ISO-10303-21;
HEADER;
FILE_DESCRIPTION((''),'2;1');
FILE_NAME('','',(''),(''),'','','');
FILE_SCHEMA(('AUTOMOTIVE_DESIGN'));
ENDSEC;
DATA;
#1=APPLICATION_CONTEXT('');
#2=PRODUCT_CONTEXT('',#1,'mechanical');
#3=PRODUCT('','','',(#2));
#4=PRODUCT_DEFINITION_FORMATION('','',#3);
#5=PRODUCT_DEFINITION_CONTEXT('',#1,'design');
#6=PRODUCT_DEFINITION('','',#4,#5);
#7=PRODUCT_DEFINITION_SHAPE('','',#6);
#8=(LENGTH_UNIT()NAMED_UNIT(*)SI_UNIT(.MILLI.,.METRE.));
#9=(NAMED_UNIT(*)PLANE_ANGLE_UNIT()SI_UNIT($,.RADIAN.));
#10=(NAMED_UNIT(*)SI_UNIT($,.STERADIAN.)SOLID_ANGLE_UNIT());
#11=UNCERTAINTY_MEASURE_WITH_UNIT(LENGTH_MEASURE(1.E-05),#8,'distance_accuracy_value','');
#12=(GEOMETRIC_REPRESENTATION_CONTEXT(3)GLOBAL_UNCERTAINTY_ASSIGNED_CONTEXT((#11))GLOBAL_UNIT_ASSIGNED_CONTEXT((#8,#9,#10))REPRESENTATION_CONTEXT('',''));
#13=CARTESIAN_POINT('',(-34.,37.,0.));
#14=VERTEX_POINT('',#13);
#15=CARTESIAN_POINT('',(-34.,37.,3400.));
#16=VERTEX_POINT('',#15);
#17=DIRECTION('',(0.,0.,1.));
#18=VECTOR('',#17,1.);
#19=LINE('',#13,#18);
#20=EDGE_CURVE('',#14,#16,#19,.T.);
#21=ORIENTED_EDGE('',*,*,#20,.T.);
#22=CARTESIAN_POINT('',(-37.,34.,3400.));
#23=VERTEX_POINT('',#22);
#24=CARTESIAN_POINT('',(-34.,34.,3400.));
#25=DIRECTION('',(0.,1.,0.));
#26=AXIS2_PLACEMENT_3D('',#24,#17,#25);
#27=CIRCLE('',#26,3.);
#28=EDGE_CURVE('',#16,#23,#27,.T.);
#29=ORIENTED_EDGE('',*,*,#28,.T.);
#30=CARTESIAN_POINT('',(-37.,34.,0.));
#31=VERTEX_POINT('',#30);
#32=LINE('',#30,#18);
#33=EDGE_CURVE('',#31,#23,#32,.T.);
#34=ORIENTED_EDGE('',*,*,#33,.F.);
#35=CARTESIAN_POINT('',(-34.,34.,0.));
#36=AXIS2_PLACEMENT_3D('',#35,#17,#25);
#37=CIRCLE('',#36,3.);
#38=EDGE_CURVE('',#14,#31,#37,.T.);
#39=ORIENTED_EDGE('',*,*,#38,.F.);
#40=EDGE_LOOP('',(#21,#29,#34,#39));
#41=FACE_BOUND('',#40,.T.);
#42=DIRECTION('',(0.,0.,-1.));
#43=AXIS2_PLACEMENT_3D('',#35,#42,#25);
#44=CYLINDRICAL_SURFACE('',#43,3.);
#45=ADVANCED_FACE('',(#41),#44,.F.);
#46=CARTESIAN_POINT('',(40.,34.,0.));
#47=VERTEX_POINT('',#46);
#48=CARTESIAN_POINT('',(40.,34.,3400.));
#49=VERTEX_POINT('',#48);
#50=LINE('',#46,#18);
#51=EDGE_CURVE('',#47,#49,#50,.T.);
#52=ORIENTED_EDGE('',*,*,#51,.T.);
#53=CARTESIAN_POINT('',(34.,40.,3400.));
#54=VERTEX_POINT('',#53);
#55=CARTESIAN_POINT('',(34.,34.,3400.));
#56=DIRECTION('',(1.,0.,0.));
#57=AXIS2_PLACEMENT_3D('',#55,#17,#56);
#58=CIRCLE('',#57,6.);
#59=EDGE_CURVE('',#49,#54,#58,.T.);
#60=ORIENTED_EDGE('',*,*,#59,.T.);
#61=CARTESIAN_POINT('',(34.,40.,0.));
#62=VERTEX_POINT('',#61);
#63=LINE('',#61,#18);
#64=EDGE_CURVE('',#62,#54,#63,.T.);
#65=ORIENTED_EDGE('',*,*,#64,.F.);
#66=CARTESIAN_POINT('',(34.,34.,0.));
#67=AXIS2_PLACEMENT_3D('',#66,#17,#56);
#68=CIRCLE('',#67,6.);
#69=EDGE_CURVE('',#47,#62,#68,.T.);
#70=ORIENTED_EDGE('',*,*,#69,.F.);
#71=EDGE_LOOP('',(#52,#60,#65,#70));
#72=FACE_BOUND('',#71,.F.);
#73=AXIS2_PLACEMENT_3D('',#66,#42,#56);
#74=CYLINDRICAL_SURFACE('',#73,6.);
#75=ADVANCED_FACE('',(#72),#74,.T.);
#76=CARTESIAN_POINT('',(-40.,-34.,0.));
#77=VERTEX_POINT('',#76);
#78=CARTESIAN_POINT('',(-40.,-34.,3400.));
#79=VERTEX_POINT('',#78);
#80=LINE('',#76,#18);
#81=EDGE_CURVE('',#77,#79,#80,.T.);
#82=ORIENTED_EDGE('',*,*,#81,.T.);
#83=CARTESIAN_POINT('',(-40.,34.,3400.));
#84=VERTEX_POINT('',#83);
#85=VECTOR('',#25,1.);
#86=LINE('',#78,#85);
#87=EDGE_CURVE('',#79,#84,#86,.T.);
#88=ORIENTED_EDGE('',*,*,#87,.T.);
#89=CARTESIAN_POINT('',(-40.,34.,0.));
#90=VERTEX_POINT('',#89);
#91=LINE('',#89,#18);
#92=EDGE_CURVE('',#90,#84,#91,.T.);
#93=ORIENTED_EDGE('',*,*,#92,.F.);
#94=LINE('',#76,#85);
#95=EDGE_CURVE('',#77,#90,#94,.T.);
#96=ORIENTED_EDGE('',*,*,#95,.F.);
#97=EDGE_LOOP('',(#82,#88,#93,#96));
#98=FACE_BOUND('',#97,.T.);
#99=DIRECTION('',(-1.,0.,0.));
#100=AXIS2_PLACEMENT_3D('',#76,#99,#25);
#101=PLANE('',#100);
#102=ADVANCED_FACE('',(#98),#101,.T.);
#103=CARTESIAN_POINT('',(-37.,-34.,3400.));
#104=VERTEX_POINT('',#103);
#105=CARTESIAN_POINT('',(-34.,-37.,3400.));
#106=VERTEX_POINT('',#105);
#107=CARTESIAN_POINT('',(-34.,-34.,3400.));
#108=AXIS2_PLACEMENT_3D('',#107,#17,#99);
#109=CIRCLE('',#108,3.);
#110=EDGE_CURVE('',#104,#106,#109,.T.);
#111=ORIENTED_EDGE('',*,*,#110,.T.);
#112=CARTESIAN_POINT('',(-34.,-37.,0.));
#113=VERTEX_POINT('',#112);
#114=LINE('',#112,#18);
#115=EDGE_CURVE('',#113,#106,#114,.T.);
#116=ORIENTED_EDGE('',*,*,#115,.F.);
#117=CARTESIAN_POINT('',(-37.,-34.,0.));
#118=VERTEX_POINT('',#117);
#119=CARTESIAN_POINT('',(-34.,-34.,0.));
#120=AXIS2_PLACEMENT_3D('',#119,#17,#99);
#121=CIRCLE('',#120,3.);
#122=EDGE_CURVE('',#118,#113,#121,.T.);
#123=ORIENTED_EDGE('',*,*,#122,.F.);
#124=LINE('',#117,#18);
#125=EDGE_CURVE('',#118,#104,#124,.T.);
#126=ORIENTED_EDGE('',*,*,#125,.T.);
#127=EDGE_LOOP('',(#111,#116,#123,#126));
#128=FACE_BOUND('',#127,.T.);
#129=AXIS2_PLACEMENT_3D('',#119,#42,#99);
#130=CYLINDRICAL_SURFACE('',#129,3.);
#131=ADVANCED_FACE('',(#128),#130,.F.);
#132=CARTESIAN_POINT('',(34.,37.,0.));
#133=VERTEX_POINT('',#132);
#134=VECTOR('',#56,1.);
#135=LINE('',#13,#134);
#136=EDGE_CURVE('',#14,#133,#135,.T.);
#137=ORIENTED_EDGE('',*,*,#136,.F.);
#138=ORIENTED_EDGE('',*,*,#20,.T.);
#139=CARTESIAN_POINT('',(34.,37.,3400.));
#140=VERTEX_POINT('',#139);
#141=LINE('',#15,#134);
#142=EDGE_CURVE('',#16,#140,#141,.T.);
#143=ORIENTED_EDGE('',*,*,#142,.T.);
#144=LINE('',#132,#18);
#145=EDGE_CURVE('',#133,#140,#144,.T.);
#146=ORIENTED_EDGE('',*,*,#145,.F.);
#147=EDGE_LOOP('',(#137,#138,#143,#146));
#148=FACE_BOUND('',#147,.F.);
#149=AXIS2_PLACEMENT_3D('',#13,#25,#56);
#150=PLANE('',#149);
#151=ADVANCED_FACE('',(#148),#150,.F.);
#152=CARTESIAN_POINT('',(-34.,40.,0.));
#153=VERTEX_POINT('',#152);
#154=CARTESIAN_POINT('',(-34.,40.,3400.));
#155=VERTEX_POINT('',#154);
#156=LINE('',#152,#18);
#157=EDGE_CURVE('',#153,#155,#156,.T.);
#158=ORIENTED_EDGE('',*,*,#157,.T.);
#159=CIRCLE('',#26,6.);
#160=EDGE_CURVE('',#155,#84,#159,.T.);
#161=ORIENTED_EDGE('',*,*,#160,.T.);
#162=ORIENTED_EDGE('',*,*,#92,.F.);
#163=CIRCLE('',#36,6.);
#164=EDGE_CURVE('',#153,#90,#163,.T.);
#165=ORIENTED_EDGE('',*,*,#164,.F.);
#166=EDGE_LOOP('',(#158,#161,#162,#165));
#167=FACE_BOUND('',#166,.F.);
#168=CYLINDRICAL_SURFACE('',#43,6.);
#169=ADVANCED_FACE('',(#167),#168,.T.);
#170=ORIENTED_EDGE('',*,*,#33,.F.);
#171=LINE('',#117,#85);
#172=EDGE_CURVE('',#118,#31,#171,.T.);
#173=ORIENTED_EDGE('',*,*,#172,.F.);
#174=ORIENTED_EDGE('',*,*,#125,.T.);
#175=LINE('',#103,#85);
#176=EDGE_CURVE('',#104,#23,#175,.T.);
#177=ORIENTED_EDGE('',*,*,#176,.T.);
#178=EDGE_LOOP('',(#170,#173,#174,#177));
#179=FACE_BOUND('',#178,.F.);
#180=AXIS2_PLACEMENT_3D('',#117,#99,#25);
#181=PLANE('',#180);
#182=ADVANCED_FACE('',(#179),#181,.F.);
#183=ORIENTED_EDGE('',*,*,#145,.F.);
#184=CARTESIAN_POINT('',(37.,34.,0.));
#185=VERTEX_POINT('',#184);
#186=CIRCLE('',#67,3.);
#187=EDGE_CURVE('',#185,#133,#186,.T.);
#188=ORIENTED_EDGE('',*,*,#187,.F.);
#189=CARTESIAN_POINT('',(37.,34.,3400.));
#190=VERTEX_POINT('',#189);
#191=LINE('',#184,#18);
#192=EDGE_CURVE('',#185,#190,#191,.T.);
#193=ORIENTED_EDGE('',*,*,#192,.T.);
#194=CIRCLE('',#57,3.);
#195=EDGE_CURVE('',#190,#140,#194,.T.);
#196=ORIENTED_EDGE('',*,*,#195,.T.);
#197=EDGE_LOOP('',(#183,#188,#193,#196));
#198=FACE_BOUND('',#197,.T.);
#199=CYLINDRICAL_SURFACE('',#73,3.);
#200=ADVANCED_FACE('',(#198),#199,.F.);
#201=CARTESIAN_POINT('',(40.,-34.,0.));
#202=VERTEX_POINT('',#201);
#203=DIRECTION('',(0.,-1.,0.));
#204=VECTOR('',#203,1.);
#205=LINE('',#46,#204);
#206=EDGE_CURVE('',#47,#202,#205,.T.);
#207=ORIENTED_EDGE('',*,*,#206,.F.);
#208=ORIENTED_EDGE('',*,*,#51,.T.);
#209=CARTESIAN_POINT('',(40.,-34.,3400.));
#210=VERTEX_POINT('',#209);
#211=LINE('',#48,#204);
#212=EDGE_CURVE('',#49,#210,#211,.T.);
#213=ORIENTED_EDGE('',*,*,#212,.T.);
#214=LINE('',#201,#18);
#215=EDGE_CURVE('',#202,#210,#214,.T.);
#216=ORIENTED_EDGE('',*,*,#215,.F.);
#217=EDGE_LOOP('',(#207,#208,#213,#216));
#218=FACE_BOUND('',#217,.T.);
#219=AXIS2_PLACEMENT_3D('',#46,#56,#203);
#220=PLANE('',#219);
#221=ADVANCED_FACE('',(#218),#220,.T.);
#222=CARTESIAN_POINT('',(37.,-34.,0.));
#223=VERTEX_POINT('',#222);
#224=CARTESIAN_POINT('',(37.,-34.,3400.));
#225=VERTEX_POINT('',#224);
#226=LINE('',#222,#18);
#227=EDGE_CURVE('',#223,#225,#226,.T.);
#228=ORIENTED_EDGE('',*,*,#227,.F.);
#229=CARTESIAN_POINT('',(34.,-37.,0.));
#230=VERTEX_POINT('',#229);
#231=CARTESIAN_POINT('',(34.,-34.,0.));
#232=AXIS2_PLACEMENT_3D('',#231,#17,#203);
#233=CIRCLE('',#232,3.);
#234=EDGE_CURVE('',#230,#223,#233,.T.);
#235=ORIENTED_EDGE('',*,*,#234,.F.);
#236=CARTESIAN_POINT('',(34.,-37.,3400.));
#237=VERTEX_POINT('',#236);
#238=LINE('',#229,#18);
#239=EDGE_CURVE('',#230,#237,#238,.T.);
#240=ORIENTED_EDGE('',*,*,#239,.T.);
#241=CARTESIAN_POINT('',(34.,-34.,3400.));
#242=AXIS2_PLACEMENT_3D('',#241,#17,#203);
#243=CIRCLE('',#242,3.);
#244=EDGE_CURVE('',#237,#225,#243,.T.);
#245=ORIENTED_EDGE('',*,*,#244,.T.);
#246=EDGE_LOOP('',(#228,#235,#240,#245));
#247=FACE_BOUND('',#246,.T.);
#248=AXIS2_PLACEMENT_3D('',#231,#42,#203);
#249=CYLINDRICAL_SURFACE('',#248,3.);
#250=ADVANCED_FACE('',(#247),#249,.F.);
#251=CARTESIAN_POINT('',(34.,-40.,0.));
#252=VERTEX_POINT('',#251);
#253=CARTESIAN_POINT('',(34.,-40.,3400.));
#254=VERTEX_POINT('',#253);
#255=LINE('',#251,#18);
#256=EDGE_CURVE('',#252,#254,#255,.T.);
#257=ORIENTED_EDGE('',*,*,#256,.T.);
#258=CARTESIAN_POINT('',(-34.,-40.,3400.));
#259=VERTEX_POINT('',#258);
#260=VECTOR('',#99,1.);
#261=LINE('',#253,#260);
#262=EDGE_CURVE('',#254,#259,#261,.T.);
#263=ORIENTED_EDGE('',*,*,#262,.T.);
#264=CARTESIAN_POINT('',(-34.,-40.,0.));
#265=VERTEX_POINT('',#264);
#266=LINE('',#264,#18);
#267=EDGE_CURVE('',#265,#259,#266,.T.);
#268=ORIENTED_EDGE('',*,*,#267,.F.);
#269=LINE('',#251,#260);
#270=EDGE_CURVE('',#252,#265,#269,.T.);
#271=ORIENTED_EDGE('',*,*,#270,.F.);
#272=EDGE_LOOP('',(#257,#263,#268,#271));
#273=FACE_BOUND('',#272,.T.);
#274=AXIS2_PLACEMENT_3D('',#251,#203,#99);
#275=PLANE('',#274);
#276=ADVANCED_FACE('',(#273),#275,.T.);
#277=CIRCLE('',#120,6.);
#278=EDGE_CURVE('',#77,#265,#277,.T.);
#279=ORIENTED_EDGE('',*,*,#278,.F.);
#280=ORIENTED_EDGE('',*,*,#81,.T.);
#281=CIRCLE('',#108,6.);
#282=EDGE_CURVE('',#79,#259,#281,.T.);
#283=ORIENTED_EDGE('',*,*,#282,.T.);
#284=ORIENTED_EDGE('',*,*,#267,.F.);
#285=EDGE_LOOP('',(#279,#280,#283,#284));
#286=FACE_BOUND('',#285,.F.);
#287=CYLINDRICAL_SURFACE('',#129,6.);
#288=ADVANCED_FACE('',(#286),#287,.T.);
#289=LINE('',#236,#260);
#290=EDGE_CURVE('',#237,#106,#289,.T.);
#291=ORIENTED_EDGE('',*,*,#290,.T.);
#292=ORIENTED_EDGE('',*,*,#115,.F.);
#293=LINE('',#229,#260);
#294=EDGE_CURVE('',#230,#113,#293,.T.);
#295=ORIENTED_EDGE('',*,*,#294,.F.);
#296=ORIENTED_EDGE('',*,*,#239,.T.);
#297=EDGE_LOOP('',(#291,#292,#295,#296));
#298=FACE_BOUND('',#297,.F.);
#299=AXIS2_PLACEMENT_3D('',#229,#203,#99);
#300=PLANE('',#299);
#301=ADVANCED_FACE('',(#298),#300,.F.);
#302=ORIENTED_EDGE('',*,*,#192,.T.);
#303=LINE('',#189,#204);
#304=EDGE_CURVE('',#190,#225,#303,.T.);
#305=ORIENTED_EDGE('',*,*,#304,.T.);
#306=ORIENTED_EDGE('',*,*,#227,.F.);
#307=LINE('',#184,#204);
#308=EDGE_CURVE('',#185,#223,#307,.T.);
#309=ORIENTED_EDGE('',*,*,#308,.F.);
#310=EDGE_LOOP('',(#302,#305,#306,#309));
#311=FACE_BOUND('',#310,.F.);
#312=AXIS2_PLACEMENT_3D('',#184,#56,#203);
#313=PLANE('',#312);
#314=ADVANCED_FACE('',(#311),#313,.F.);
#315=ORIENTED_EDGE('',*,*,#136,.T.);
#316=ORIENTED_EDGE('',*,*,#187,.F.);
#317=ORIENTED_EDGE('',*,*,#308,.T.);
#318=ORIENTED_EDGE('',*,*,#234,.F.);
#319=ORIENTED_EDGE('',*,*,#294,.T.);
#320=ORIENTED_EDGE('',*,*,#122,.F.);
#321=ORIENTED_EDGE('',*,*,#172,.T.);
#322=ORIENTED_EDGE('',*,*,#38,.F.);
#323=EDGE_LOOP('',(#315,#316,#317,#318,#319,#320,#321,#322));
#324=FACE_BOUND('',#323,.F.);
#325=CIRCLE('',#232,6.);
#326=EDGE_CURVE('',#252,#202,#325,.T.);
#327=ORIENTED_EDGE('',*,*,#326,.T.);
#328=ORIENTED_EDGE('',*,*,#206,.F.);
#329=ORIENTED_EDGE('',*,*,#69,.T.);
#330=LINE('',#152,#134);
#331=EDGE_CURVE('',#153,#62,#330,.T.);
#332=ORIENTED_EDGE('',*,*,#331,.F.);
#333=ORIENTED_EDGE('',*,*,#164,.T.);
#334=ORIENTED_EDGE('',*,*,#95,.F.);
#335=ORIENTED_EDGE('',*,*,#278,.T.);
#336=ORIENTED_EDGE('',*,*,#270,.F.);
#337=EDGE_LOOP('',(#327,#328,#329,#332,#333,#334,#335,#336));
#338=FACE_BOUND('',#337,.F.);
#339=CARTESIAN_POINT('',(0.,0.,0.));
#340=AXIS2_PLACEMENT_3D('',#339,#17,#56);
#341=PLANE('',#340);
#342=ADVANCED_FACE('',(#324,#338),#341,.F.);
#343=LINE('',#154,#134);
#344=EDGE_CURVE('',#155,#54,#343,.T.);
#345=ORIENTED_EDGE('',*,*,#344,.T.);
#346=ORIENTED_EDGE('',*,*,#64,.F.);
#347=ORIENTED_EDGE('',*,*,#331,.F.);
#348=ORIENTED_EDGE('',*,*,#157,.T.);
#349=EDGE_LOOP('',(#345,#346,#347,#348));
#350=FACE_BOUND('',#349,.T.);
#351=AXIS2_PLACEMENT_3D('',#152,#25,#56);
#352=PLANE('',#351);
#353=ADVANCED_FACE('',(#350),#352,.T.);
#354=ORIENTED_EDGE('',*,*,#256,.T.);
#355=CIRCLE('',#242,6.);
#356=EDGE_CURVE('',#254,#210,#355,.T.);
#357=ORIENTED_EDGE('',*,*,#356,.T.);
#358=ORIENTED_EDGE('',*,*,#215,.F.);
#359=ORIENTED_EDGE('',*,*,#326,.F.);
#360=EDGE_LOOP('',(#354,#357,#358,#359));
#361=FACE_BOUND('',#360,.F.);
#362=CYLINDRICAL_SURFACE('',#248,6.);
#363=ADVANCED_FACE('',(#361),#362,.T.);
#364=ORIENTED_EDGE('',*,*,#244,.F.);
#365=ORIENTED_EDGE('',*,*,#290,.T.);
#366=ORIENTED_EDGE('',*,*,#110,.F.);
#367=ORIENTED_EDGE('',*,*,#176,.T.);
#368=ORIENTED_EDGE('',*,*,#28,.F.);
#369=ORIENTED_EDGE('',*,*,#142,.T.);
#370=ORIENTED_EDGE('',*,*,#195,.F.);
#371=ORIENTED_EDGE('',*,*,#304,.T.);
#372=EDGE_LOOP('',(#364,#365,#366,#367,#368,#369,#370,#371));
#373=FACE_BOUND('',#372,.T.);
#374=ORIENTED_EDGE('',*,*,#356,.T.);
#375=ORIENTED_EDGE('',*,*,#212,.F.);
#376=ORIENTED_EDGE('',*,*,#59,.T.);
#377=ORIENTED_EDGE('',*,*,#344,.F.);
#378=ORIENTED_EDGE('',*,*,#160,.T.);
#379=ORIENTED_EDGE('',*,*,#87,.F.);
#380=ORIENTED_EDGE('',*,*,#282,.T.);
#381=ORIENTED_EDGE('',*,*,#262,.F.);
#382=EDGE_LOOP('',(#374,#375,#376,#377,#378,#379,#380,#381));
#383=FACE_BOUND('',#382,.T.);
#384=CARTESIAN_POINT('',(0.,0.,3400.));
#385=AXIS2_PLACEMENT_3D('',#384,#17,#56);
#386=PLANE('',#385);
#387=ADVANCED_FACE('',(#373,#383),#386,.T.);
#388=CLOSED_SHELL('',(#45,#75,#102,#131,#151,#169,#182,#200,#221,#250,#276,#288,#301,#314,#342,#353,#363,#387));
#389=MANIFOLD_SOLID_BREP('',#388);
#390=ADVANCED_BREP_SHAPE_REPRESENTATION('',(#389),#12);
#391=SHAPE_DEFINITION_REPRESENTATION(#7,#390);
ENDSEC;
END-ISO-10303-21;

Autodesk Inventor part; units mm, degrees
ref_plane "YZ Plane" through (0, 0, 0) normal (1, 0, 0) x (0, 1, 0)
ref_plane "Start Plane" through (0, 0, 0) normal (0, 0, 1) x (1, 0, 0)
ref_plane "End Plane" through (0, 0, 3400) normal (0, 0, 1) x (1, 0, 0)
sketch "Sketch" plane through (0, 0, 0) normal (0, 0, 1) x (1, 0, 0)
  line L0 (-40, -34) -> (-40, 34)
  line L1 (-34, 40) -> (34, 40)
  line L2 (40, 34) -> (40, -34)
  line L3 (34, -40) -> (-34, -40)
  arc A0 (-40, -34) -> (-34, -40) centre (-34, -34) ccw
  arc A1 (40, 34) -> (34, 40) centre (34, 34) ccw
  arc A2 (-34, 40) -> (-40, 34) centre (-34, 34) ccw
  arc A3 (34, -40) -> (40, -34) centre (34, -34) ccw
  arc A4 (-34, 37) -> (-37, 34) centre (-34, 34) ccw
  line L4 (-34, 37) -> (34, 37)
  arc A5 (37, 34) -> (34, 37) centre (34, 34) ccw
  line L5 (37, 34) -> (37, -34)
  arc A6 (34, -37) -> (37, -34) centre (34, -34) ccw
  line L6 (34, -37) -> (-34, -37)
  arc A7 (-37, -34) -> (-34, -37) centre (-34, -34) ccw
  line L7 (-37, -34) -> (-37, 34)
  line L8 (0, 57.7397) -> (0, -57.7397) construction
  line L9 (-57.7397, 0) -> (57.7397, 0) construction
  dimension "d7" = 6
  dimension "d9" = 80
  dimension "d11" = 80
  dimension "d12" = 3
  dimension "d15" = 40
  dimension "d16" = 40
extrude "Body" add sketch "Sketch" along normal up to surface (3400 mm away) from surface at 0
sketch "Sketch3" plane through (0, 0, 0) normal (0, 0, 1) x (1, 0, 0)
  line L0 (0, 0) -> (10, 0)
ref_plane "Work Plane3" through (0, 0, 0) normal (0, -1, 0) x (1, 0, 0)
sketch "Sketch4" plane through (0, 0, 0) normal (0, -1, 0) x (1, 0, 0)
  line L0 (-2, 0) -> (12, 0) projected
  line L1 (-2, 3400) -> (12, 3400) projected
  dimension "d18" = 3400
equation "\"d7\" = G_IR"
equation "\"d9\" = G_W"
equation "\"d11\" = G_H"
equation "\"d12\" = G_T"
equation "\"d15\" = 0.5 * d9"
equation "\"d16\" = 0.5 * d11"
equation "\"d3\" = G_L"
equation "\"G_W\" = 80"
equation "\"G_H\" = 80"
equation "\"G_T\" = 3"
equation "\"G_IR\" = 6"
equation "\"G_L\" = d18"
equation "\"G_OFFSET_START\" = 0"
equation "\"G_OFFSET_END\" = 0"
properties part number "ISO 4019 - 80x80x3 - 3400" material "Steel, Mild"
